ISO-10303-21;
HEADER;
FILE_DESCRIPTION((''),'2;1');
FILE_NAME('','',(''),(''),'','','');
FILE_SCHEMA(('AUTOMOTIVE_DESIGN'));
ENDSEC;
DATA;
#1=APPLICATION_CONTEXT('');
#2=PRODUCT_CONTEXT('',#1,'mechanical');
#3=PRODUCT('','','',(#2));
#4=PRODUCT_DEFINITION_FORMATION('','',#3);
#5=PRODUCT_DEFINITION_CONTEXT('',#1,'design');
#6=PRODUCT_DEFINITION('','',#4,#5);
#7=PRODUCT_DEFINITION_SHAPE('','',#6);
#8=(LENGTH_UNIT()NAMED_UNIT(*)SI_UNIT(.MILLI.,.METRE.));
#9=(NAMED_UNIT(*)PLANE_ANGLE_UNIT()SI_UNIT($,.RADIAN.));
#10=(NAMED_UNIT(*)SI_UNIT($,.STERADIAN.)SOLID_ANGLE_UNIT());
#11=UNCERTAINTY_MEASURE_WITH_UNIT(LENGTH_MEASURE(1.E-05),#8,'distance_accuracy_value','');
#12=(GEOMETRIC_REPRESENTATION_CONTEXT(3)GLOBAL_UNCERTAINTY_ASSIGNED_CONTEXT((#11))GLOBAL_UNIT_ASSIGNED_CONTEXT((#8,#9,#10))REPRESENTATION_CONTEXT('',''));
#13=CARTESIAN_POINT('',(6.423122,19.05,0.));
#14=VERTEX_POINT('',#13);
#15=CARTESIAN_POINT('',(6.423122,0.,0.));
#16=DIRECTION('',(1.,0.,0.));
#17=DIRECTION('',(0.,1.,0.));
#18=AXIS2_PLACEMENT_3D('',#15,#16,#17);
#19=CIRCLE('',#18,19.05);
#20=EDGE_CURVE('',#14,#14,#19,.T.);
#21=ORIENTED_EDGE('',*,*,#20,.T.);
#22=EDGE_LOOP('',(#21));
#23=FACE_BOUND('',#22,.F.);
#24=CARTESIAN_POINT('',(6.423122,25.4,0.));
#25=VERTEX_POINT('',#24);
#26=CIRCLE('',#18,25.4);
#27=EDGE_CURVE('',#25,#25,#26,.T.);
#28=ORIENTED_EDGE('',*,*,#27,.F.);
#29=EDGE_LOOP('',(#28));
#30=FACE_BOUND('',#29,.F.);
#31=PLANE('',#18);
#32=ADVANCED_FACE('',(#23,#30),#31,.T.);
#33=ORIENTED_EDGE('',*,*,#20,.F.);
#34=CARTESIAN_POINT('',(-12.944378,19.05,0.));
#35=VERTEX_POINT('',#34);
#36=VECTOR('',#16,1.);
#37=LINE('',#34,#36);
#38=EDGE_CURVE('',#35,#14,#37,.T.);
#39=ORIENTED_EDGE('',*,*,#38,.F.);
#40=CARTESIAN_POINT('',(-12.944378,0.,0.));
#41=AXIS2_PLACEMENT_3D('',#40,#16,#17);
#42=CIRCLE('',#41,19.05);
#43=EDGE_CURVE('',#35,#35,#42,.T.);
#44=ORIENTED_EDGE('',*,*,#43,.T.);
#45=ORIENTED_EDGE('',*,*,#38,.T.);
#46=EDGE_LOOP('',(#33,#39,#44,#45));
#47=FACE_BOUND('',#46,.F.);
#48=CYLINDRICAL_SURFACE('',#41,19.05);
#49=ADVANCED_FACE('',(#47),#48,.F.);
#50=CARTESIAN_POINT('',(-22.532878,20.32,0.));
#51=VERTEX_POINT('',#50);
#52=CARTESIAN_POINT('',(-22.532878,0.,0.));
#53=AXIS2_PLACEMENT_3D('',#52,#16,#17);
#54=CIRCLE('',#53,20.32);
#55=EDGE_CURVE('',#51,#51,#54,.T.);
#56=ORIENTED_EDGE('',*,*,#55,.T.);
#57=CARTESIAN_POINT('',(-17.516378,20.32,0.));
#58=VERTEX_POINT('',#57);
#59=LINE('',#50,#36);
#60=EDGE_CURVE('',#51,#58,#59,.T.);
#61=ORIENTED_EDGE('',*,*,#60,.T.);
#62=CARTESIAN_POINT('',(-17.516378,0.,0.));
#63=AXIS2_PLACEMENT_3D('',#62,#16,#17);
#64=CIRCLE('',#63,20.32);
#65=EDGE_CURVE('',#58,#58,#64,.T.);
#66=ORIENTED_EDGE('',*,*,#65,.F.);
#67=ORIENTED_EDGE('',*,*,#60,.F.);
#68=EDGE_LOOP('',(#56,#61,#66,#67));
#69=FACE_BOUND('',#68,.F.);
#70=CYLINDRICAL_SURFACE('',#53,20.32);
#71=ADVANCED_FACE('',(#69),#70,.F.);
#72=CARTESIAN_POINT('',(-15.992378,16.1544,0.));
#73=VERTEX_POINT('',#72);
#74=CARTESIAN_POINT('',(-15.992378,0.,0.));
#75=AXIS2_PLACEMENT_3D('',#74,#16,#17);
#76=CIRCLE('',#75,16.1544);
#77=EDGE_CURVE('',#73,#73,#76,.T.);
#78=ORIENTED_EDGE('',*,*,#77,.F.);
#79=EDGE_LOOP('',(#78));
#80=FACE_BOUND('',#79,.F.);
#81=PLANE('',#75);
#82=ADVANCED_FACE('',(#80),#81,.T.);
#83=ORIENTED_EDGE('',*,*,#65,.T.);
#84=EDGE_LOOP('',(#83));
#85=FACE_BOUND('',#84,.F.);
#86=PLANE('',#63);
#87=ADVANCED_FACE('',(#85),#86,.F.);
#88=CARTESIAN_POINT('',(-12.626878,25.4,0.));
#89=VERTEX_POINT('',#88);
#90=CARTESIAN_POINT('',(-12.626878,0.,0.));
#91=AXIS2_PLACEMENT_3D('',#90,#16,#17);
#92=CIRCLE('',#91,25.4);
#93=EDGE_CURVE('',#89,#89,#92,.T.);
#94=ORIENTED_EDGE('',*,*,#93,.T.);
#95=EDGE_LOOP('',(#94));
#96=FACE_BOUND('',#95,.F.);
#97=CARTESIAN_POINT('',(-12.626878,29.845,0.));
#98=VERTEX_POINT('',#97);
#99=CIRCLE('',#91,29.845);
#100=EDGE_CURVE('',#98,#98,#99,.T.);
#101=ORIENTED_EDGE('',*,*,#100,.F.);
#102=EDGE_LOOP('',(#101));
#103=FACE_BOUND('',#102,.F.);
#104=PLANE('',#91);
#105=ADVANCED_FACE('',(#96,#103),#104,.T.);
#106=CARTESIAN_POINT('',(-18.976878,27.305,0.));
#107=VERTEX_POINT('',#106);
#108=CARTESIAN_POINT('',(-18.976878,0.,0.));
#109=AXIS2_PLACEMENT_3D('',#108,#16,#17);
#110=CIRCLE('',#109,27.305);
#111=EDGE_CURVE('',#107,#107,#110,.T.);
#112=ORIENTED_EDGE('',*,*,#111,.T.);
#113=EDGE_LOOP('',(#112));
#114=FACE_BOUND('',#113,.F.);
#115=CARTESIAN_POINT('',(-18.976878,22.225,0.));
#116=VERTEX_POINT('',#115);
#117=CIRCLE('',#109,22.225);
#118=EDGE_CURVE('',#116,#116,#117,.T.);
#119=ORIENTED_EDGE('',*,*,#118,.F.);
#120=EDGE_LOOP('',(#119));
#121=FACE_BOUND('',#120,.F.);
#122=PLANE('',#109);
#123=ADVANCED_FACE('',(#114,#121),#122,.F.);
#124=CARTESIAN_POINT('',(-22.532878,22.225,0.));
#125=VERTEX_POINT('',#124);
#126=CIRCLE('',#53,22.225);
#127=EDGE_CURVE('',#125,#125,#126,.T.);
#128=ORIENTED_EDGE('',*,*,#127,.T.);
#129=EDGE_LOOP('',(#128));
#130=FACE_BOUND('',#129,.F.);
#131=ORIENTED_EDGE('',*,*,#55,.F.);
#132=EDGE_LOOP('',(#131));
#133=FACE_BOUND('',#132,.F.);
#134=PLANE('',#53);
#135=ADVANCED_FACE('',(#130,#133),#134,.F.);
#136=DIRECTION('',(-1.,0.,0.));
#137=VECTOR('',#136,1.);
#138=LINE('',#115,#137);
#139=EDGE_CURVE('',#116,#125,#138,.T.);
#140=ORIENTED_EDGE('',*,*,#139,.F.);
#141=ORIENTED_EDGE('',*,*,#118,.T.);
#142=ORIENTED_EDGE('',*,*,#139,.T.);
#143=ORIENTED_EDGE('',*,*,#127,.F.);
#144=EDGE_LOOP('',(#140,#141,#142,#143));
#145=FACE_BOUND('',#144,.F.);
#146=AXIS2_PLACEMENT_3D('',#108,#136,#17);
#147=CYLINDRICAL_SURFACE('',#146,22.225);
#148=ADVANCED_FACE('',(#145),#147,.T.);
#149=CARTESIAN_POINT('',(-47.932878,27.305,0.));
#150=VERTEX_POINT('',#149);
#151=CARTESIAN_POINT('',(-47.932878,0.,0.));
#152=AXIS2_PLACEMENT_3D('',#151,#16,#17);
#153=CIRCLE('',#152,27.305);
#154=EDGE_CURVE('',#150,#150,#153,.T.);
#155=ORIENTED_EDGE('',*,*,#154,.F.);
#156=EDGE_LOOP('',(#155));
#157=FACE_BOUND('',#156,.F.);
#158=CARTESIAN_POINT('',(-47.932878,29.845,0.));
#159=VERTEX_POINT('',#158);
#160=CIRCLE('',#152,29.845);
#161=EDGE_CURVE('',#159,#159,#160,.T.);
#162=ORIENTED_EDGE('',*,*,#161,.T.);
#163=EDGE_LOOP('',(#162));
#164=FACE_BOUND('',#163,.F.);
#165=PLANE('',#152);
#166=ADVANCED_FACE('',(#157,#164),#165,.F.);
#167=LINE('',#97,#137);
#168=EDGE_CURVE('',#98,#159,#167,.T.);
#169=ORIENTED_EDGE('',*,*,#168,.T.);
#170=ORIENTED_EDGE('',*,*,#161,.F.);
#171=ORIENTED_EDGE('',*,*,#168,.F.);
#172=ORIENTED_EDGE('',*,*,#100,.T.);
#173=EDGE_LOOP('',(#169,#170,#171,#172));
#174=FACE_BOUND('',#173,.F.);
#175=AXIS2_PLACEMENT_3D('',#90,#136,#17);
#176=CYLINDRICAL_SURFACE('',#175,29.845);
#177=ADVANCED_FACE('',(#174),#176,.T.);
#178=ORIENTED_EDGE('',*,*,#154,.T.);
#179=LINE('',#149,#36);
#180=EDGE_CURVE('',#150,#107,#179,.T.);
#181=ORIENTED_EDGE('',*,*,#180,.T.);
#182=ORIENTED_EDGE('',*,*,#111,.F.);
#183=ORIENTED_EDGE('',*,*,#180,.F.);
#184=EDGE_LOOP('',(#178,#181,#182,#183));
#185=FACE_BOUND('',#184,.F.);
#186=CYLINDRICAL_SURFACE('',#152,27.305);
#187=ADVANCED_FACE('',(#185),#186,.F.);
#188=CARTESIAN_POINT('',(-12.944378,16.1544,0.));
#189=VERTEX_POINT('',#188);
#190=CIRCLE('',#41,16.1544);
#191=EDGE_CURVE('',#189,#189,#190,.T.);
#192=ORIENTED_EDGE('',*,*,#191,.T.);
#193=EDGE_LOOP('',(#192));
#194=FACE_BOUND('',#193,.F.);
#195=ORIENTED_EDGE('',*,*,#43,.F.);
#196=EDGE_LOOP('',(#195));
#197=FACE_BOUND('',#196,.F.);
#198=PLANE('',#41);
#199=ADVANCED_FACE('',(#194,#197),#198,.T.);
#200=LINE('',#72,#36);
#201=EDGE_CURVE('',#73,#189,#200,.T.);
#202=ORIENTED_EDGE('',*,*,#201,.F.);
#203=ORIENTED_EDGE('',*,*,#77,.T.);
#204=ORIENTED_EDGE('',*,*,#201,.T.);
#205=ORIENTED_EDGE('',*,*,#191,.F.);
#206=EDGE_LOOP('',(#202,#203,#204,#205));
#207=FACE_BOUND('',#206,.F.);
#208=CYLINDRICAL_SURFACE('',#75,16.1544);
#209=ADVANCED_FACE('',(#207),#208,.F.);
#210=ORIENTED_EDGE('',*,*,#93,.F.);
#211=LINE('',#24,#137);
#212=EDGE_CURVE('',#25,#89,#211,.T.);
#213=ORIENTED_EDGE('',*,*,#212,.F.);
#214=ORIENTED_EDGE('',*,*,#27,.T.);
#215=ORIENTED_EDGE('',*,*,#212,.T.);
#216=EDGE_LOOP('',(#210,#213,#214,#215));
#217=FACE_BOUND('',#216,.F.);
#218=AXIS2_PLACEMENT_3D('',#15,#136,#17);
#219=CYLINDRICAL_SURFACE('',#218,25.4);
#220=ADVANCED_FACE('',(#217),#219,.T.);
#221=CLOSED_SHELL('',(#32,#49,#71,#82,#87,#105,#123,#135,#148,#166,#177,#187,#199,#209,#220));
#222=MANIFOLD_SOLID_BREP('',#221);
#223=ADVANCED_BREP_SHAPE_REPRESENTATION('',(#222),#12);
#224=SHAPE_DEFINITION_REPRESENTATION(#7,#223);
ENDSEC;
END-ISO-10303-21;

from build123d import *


with BuildPart() as f1:
    # F0 (on Top) → F1 (revolve)
    with BuildSketch(Plane.XY):
        Polygon((-17.516378, 20.32), (-17.516378, 0), (-15.992378, 0), (-15.992378, 16.1544), (-12.944378, 16.1544), (-12.944378, 19.05), (6.423122, 19.05), (6.423122, 25.4), (-12.626878, 25.4), (-12.626878, 29.845), (-47.932878, 29.845), (-47.932878, 27.305), (-18.976878, 27.305), (-18.976878, 22.225), (-22.532878, 22.225), (-22.532878, 20.32), align=None)
    revolve(axis=Axis((48.909422, 0, 0), (1, 0, 0)))


solid = f1.part
